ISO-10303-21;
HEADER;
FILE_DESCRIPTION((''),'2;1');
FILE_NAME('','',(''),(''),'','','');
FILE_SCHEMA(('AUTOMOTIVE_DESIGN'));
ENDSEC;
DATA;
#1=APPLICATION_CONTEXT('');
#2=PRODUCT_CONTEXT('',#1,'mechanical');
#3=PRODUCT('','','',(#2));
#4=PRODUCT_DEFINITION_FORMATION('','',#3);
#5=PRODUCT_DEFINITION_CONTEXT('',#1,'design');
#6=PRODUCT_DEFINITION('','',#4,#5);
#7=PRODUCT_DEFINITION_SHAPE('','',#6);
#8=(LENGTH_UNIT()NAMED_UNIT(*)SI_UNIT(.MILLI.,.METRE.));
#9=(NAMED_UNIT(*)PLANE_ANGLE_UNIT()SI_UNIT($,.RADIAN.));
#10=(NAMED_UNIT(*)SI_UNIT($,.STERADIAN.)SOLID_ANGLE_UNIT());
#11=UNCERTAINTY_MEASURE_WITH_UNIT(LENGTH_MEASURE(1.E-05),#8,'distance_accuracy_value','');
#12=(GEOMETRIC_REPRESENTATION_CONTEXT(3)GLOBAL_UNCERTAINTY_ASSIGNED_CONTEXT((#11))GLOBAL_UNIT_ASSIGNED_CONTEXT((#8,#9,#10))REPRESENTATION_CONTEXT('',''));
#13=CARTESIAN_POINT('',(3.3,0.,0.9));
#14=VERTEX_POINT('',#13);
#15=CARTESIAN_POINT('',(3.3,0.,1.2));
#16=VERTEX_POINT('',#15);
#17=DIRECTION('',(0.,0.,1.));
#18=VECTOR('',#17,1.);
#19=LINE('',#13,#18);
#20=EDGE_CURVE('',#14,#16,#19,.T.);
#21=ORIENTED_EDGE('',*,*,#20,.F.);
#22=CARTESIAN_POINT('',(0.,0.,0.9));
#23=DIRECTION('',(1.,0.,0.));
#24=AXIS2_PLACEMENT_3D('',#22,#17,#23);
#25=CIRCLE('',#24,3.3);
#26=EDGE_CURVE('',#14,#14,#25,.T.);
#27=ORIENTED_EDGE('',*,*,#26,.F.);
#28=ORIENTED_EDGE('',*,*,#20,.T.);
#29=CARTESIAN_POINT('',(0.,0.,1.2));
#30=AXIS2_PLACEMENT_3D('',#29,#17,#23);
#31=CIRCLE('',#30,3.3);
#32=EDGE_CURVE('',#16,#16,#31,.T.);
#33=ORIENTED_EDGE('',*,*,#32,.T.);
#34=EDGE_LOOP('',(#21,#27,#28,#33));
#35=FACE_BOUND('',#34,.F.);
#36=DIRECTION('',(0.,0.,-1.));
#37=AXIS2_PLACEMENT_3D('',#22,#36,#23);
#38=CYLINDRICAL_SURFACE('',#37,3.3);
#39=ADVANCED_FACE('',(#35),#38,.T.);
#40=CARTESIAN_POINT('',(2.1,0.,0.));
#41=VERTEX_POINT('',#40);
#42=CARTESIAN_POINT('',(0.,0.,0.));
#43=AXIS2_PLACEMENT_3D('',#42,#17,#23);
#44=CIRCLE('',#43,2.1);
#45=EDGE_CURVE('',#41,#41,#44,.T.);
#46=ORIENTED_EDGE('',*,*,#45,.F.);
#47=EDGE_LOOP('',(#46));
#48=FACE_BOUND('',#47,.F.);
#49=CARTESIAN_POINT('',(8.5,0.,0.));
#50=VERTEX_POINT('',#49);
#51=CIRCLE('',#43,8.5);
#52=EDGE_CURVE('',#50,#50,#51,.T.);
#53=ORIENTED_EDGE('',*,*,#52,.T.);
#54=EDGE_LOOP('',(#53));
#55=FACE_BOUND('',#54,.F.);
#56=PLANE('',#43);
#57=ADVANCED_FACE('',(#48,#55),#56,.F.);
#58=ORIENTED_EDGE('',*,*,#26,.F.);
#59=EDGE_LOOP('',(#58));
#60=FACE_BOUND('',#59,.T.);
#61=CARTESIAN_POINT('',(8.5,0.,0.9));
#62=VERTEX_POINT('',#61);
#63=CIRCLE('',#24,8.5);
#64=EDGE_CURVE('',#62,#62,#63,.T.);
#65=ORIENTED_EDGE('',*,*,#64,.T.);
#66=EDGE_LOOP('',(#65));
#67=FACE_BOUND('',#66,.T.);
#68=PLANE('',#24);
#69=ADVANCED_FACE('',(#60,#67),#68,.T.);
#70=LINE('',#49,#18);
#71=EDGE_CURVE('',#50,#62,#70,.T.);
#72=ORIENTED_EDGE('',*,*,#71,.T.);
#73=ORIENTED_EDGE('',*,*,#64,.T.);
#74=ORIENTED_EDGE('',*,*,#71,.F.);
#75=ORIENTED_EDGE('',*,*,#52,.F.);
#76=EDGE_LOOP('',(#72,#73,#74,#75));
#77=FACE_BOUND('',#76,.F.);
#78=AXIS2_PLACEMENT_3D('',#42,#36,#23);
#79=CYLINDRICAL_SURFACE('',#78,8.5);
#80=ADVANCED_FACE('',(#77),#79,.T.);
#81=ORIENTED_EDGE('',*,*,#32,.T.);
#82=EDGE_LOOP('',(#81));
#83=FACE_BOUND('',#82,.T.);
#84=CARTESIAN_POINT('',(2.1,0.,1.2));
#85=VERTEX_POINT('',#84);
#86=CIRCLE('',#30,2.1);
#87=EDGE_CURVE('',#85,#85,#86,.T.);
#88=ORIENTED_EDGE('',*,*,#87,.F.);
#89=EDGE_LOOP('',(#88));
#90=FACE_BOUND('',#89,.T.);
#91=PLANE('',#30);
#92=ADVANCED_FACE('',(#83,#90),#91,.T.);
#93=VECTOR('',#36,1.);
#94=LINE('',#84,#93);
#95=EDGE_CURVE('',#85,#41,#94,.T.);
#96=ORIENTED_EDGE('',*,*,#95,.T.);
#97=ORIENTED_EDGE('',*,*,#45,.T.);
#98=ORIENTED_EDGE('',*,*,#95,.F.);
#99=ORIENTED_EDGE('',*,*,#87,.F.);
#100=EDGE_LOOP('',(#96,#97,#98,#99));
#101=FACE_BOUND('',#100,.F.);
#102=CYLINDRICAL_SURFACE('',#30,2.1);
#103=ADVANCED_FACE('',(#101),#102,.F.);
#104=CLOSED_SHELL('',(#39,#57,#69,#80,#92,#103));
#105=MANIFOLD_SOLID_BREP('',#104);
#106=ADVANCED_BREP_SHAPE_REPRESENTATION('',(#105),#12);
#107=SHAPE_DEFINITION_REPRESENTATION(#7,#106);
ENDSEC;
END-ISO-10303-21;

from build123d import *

# Parameters (mm, degrees)
CYLINDER_R     = 8.5
CYLINDER_DEPTH = 0.9
SKETCH_R       = 3.3
PAD_DEPTH      = 0.3
SKETCH001_R    = 2.1
POCKET_DEPTH   = 1.201


with BuildPart() as part:
    # Cylinder → Cylinder (new body)
    with BuildSketch(Plane.XY):
        Circle(CYLINDER_R)
    extrude(amount=CYLINDER_DEPTH)

    # Sketch → Pad (new body)
    with BuildSketch(Plane.XY.offset(0.9)):
        Circle(SKETCH_R)
    extrude(amount=PAD_DEPTH)

    # Sketch001 → Pocket (cut, through all)
    with BuildSketch(Plane.XY.offset(1.2)):
        Circle(SKETCH001_R)
    extrude(amount=-POCKET_DEPTH, mode=Mode.SUBTRACT)


solid = part.part
